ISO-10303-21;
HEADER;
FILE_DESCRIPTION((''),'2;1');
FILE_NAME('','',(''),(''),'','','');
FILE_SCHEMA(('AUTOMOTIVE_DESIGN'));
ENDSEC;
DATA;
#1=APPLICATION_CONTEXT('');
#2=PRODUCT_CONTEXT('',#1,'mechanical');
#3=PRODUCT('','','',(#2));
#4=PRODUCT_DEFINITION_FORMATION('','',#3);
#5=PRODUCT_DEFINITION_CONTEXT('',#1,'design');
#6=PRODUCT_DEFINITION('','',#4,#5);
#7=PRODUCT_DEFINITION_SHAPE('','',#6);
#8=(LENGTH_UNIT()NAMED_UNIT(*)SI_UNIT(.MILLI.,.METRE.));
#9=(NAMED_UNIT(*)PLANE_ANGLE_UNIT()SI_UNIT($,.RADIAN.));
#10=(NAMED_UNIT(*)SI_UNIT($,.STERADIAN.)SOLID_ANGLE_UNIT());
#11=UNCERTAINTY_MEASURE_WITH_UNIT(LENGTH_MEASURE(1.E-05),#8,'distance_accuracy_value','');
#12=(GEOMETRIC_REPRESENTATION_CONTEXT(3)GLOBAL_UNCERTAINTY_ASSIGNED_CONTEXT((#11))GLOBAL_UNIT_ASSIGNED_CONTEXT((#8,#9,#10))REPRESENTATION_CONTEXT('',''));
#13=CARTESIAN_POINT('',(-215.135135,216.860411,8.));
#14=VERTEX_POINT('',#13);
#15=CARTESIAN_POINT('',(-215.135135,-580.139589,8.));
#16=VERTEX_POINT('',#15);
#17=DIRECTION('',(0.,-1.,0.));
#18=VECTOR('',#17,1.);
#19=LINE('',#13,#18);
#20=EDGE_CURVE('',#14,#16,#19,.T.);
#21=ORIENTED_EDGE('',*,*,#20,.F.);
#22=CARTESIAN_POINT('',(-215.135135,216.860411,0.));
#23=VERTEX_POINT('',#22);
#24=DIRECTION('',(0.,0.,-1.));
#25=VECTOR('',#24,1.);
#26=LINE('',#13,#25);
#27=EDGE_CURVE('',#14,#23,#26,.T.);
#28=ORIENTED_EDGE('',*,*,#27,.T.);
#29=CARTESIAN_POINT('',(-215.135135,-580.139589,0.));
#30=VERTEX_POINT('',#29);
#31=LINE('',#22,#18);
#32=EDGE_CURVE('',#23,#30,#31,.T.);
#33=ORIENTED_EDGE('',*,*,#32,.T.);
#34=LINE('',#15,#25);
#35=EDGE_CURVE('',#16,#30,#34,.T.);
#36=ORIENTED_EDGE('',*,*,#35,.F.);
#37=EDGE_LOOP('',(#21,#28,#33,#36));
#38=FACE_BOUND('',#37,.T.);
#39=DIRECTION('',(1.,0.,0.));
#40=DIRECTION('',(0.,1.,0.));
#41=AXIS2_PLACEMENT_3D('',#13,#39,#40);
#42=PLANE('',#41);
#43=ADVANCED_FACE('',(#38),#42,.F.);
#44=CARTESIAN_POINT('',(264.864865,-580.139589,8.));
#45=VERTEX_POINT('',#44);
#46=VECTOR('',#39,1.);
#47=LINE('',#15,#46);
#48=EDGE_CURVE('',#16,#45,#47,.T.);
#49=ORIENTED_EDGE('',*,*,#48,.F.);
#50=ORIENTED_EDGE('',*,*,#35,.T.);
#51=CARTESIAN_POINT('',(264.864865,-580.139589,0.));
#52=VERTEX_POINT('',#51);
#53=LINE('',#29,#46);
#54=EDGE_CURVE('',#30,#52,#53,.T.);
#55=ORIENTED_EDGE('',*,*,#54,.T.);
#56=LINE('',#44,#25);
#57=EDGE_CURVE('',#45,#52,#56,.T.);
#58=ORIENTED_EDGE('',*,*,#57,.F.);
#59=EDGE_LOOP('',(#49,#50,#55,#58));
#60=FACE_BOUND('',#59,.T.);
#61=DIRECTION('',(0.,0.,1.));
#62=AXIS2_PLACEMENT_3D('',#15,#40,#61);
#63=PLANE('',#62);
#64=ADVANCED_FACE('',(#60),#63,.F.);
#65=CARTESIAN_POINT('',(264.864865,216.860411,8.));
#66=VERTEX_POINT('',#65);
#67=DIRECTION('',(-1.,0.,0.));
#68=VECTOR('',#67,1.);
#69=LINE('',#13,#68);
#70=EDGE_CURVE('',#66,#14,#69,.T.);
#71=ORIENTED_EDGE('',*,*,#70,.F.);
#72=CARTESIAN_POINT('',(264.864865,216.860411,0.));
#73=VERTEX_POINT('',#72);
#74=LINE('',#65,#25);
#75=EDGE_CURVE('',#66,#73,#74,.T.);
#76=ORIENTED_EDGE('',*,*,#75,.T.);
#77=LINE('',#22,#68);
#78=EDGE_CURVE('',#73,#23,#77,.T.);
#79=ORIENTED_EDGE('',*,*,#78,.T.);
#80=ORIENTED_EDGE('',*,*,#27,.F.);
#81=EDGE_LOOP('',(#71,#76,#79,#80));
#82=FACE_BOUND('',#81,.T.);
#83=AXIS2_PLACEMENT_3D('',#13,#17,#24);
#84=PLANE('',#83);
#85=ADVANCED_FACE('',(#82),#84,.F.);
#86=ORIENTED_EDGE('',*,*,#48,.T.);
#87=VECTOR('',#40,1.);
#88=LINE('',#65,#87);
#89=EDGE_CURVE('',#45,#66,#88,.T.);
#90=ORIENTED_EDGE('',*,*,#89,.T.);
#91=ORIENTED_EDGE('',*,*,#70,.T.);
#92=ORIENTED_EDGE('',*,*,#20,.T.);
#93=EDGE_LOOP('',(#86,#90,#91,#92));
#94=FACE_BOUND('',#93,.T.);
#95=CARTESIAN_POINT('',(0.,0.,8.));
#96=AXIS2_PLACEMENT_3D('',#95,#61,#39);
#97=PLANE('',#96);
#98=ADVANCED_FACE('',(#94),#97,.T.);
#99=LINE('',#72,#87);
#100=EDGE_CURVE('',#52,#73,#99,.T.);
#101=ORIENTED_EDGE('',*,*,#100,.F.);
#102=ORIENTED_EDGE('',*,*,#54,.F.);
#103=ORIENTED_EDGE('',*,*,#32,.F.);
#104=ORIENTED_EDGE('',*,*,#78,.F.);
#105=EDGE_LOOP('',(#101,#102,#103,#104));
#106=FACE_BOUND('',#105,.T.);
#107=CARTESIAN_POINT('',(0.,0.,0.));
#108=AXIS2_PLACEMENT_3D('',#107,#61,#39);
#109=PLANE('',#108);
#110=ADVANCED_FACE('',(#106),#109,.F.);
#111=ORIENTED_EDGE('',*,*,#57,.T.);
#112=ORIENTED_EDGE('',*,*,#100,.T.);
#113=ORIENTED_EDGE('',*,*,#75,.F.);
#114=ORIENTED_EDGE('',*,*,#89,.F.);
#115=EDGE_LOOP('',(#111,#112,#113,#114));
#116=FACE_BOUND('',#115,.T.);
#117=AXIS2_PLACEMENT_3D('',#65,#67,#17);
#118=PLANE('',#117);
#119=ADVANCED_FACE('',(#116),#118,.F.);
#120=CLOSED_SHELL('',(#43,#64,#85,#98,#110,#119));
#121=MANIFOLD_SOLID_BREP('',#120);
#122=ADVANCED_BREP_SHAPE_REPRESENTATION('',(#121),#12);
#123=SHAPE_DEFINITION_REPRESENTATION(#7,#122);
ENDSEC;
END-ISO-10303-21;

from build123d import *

# Parameters (mm, degrees)
SKETCH_1_W      = 480
SKETCH_1_H      = 797
EXTRUDE_1_DEPTH = 8


with BuildPart() as part:
    # 草图1 → 凸台-拉伸1 (new body)
    with BuildSketch(Plane.XY):
        with Locations((24.864864865, -181.639588955)):
            Rectangle(SKETCH_1_W, SKETCH_1_H)
    extrude(amount=EXTRUDE_1_DEPTH)


solid = part.part
